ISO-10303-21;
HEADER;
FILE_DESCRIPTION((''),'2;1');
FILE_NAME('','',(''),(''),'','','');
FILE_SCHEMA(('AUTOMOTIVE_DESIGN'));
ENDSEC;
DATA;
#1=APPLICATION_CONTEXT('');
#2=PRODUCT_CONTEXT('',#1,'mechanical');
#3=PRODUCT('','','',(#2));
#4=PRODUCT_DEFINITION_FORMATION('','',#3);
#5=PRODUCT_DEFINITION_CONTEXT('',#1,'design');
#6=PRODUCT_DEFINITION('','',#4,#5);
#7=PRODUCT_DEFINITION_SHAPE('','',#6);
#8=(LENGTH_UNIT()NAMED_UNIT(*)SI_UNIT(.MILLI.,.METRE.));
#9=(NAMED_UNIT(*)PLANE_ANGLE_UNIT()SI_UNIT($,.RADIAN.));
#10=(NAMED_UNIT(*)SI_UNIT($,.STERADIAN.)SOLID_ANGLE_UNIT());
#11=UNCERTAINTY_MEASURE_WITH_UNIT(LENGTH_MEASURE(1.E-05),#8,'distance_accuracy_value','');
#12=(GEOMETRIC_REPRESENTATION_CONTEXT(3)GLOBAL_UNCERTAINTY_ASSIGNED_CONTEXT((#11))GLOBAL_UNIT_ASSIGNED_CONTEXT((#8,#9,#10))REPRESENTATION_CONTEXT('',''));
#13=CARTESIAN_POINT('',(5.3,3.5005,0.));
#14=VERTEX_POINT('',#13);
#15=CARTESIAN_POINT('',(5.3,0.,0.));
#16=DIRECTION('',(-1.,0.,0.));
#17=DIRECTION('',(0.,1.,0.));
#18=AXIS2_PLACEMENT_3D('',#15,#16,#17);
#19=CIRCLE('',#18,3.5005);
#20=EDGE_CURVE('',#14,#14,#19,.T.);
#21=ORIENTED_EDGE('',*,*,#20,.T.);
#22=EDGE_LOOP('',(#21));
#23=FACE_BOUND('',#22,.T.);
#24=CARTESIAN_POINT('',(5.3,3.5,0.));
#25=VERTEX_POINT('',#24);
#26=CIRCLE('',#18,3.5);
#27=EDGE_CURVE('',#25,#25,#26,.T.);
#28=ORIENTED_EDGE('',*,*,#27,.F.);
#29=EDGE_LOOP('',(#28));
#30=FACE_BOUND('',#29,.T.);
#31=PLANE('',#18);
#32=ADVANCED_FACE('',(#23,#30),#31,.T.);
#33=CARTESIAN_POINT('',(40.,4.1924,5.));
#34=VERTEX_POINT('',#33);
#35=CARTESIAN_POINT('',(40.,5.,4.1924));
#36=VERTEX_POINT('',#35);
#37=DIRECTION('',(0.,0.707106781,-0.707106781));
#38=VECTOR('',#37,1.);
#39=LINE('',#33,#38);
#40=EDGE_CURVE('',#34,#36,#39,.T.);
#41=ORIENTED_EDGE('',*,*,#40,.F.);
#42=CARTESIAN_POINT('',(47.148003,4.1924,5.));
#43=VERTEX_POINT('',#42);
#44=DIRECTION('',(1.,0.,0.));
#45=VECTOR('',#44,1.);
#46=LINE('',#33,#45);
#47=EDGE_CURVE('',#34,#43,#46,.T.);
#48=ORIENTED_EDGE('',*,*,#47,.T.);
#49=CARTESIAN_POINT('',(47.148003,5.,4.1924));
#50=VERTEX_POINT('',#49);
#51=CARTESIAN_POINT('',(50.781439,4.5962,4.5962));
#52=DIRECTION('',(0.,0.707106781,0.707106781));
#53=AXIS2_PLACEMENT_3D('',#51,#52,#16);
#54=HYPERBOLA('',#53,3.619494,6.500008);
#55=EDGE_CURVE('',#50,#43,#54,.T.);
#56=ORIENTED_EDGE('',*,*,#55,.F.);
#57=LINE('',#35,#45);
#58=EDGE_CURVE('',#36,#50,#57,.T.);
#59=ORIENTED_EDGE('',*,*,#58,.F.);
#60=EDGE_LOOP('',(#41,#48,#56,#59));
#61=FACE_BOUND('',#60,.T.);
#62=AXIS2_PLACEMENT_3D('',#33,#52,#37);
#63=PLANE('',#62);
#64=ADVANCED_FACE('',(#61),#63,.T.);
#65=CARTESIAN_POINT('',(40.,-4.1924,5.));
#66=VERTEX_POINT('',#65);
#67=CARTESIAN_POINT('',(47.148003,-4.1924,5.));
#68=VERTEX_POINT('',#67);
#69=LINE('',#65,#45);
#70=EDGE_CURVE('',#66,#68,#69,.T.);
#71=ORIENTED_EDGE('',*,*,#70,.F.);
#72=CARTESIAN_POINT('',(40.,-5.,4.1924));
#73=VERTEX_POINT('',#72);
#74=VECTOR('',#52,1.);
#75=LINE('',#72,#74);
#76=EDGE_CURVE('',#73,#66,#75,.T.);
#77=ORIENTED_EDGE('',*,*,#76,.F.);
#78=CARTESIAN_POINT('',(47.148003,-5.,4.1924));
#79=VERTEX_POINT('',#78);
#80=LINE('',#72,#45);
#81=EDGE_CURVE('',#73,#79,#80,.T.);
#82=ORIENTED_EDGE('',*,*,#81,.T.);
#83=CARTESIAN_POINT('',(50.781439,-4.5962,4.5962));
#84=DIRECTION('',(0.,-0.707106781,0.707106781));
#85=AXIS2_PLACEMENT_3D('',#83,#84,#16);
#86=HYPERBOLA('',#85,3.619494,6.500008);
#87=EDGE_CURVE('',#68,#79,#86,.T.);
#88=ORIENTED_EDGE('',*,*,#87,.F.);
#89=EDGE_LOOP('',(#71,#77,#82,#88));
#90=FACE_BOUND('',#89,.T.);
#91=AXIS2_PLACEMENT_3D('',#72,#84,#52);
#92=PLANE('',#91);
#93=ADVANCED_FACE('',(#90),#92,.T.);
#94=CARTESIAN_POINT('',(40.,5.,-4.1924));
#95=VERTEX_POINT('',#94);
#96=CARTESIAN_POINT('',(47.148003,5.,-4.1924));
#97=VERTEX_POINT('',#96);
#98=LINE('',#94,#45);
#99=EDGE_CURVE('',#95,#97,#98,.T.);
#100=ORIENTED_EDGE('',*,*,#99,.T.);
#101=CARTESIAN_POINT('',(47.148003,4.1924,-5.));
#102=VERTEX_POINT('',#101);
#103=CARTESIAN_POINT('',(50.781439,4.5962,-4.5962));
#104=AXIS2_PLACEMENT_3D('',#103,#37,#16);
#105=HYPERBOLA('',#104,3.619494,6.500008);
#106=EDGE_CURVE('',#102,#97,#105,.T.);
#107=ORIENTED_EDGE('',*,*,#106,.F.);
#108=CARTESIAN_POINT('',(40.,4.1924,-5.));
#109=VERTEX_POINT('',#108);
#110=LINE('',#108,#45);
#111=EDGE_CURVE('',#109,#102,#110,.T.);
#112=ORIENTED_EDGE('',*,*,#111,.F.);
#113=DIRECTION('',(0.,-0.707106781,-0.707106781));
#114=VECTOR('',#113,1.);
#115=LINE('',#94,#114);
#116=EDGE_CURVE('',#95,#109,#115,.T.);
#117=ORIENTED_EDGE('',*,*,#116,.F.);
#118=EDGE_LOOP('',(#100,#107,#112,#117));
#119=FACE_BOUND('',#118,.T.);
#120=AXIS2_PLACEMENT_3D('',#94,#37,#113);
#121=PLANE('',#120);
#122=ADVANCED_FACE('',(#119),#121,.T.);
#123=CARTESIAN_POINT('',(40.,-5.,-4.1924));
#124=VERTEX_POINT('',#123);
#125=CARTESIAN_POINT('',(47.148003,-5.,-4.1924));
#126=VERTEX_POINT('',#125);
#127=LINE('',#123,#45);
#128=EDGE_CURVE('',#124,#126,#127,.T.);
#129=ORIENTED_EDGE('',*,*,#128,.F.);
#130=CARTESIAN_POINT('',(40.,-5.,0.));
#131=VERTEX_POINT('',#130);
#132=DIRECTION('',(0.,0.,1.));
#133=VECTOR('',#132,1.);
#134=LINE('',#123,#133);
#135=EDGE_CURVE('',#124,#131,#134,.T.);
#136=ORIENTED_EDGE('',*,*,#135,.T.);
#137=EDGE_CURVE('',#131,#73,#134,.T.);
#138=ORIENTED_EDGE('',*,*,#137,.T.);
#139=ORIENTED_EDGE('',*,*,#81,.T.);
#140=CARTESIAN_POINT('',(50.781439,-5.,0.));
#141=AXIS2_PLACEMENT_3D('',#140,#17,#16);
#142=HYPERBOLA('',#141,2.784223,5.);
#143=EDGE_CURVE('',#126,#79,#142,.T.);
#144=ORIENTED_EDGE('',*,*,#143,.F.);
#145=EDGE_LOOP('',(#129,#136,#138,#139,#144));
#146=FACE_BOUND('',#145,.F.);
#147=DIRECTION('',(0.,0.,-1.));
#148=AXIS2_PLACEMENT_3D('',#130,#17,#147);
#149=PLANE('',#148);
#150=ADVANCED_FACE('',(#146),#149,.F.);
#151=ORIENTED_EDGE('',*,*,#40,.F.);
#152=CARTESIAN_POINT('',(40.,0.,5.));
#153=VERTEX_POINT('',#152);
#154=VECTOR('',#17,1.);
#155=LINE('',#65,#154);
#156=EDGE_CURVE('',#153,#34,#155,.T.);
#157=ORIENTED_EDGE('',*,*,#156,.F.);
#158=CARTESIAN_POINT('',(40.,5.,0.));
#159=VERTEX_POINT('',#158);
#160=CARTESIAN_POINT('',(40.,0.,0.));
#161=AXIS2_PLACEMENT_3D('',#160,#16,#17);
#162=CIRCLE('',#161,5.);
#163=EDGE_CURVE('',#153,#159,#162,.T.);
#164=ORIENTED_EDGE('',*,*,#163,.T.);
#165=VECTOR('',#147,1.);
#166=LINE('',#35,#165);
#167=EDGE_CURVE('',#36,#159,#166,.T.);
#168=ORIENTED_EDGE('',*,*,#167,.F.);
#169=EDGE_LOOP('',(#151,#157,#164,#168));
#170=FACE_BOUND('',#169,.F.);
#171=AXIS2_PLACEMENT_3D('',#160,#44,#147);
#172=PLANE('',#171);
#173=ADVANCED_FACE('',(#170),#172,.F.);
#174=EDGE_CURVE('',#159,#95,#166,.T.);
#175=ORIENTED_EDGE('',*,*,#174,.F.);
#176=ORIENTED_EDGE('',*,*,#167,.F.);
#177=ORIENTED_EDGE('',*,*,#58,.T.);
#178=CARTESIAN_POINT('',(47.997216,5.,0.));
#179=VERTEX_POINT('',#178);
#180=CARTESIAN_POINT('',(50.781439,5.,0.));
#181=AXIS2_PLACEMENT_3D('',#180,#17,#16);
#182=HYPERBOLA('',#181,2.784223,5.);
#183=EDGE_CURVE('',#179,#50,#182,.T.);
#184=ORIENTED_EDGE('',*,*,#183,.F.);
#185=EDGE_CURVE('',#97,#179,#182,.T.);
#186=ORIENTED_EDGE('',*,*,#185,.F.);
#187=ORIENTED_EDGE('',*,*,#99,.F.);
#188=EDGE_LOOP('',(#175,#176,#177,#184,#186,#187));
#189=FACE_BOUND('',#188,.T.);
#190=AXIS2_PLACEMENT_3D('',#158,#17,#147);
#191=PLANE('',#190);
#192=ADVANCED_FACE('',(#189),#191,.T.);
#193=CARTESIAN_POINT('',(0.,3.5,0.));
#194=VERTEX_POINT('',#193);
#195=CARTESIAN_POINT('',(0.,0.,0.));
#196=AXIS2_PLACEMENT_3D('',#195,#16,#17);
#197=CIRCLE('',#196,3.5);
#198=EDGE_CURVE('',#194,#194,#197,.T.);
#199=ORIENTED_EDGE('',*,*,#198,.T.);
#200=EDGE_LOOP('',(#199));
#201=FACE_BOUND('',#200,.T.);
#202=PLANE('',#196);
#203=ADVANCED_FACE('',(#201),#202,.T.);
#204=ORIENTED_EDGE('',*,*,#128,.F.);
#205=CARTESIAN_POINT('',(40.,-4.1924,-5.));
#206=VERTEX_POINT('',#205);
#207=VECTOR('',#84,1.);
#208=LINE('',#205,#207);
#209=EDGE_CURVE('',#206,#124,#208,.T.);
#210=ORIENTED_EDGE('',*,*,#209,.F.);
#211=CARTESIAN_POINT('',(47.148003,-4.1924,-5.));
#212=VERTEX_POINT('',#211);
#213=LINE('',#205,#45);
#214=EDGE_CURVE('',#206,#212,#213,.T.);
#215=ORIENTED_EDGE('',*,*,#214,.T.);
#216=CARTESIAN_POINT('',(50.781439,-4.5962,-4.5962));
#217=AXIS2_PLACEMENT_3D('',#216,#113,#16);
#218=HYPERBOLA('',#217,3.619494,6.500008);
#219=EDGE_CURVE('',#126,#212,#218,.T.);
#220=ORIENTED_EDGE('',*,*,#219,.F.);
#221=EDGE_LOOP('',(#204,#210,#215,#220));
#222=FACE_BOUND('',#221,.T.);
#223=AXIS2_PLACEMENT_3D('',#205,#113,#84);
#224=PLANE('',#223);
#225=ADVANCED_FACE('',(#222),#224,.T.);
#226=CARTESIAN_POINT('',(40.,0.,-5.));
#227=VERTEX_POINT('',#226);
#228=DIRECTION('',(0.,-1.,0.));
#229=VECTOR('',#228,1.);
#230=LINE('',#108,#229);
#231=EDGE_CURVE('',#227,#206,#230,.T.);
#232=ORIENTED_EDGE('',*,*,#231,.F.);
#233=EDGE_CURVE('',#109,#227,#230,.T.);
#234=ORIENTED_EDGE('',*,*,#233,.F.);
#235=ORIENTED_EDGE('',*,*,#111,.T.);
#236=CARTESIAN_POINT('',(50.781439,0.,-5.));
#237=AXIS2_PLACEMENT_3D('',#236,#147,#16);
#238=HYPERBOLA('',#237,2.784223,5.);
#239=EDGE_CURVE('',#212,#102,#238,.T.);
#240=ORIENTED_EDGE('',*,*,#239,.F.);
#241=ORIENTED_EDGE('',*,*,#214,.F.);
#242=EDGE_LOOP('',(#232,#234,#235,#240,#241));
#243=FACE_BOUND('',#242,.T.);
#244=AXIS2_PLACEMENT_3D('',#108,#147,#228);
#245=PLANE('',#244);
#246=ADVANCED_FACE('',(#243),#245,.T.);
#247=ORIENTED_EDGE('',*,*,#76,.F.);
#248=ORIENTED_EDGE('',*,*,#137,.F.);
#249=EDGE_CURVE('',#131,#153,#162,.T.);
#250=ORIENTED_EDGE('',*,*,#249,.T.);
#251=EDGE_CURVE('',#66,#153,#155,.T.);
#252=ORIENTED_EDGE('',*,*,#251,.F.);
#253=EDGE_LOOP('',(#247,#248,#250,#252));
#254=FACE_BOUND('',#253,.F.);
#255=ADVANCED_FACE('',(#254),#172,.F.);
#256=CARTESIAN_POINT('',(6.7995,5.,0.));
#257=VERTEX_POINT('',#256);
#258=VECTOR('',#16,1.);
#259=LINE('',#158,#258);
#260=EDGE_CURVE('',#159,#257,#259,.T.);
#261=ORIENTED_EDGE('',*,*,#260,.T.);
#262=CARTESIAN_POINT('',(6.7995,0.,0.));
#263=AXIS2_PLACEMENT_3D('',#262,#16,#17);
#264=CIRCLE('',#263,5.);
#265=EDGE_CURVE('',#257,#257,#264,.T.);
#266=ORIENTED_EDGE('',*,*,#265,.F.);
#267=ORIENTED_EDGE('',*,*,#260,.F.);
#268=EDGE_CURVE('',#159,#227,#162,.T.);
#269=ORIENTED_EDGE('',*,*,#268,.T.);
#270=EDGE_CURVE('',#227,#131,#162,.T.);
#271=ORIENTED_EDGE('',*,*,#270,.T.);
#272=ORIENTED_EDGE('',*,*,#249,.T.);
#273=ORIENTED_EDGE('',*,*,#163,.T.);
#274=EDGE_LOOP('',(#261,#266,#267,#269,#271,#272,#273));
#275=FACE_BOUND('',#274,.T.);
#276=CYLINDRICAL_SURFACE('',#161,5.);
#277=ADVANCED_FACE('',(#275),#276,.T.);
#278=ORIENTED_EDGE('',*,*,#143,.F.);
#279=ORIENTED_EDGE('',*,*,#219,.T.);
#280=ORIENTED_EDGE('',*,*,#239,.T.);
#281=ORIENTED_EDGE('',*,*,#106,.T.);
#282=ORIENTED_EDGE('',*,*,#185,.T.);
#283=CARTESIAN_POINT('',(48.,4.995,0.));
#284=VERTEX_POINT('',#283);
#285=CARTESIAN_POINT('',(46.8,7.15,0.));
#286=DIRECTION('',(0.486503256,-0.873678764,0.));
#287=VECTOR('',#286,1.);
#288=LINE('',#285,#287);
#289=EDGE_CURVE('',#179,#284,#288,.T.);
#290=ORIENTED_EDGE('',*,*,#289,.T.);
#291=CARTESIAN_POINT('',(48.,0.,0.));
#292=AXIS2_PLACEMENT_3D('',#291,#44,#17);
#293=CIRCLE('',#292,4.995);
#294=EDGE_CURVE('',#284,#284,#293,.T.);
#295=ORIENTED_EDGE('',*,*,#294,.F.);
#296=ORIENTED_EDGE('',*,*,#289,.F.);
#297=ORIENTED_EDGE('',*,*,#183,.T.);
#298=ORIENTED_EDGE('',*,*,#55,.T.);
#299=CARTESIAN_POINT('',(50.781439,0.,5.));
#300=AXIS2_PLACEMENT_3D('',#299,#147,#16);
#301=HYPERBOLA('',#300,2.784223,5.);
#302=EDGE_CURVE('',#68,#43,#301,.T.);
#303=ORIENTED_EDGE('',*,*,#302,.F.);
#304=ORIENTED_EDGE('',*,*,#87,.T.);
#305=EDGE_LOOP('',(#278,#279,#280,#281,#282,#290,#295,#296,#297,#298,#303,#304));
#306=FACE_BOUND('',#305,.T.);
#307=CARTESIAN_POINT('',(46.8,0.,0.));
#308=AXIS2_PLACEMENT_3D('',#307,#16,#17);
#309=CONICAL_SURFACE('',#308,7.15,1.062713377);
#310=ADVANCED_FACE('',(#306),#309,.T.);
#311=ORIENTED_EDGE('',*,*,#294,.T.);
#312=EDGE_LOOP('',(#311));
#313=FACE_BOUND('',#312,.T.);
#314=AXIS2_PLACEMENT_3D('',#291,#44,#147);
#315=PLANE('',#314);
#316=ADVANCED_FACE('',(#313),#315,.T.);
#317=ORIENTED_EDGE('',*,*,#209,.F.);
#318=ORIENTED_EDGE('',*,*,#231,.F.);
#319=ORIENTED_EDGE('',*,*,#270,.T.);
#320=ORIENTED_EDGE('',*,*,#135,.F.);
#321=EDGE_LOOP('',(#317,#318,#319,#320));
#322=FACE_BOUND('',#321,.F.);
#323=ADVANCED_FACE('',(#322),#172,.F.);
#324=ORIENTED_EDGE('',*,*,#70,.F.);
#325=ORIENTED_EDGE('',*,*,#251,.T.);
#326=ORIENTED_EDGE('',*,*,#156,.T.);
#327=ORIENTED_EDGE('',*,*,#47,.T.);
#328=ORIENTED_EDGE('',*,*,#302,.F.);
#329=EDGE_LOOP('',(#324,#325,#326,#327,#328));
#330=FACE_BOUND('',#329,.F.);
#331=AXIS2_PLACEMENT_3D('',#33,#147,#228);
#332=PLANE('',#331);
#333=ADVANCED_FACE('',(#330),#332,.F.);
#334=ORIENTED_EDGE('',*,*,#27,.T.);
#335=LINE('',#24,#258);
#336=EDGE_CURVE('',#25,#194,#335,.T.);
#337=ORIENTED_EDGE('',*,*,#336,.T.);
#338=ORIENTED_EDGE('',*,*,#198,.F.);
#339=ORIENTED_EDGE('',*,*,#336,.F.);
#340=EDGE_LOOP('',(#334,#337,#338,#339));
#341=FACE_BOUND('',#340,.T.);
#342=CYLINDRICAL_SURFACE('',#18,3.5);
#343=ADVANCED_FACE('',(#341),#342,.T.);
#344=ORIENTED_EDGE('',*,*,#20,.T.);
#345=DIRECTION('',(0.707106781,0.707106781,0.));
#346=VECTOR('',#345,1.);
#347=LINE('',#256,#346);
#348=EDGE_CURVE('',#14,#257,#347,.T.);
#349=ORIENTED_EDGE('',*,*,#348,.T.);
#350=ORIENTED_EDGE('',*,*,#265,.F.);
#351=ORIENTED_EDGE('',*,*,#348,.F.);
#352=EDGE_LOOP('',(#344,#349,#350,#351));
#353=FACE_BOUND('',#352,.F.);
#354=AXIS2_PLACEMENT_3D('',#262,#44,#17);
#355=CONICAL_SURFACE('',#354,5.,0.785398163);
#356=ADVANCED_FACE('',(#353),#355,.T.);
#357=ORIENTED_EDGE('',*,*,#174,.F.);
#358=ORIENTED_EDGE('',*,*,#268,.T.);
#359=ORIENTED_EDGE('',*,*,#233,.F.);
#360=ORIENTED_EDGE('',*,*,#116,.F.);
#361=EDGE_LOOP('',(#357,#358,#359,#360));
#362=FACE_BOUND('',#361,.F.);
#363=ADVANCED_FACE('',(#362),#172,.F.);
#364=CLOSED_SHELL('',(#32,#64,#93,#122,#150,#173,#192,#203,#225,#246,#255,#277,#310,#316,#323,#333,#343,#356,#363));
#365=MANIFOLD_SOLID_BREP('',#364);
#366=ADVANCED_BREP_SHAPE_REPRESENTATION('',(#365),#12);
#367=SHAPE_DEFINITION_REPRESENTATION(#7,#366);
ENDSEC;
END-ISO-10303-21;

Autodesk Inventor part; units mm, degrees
ref_plane "YZ Plane" through (0, 0, 0) normal (1, 0, 0) x (0, 1, 0)
ref_plane "XZ Plane" through (0, 0, 0) normal (0, 1, 0) x (-1, 0, 0)
sketch "Эскиз1" plane through (0, 0, 0) normal (0, 0, 1) x (1, 0, 0)
  line L0 (40, 0) -> (40, 5)
  line L1 (40, 5) -> (5.3, 5)
  line L2 (40, 0) -> (0, 0)
  line L3 (5.3, 3.5) -> (0, 3.5)
  line L4 (0, 3.5) -> (0, 0)
  line L5 (5.3, 5) -> (5.3, 3.5)
  line L6 (0, 6) -> (0, -1) projected
  line L7 (-8, 0) -> (48, 0) projected
  dimension "d0" = 10
  dimension "d10" = 40
  dimension "d11" = 7
  dimension "d12" = 5.3
revolve "Базовый элемент" add sketch "Эскиз1" angle 360 about axis through (40, 0, 0) along (-1, 0, 0)
sketch "Эскиз2" plane through (40, 0, 0) normal (1, 0, 0) x (0, 0, -1)
  line L0 (0, 5) -> (4.1924, 5)
  line L1 (5, 4.1924) -> (5, 0)
  line L2 (5, 0) -> (0, 0) construction
  line L3 (0, 0) -> (0, 5) construction
  line L4 (0, -7) -> (0, 7) projected
  line L5 (7, 0) -> (-7, 0) projected
  line L6 (0, 5) -> (-4.1924, 5)
  line L7 (-5, 4.1924) -> (-5, -4.1924)
  line L8 (0, -5) -> (4.1924, -5)
  line L9 (5, -4.1924) -> (5, 0)
  line L10 (0, -5) -> (-4.1924, -5)
  line L11 (-5, -4.1924) -> (-5, 0)
  circle A0 centre (0, 0) radius 5 projected
  line L12 (4.1924, 5) -> (5, 4.1924)
  line L13 (5, -4.1924) -> (4.1924, -5)
  line L14 (-4.1924, -5) -> (-5, -4.1924)
  line L15 (-5, 4.1924) -> (-4.1924, 5)
  point P0 (2.0767, 5)
  point P1 (5, 2.0767)
  point P2 (-2.0767, 5)
  point P3 (-5, 2.0767)
  point P4 (2.0767, -5)
  point P5 (5, -2.0767)
  point P6 (-2.0767, -5)
  point P7 (-5, -2.0767)
  dimension "d3" = 5
  dimension "d4" = 5
  dimension "d60" = 13
extrude "С головкой" add sketch "Эскиз2" along normal blind 8
sketch "Эскиз3" plane through (0, 0, 0) normal (0, 0, 1) x (1, 0, 0)
  line L0 (48, 4.995) -> (48, 7.15)
  line L1 (48, 7.15) -> (46.8, 7.15)
  line L2 (40, 0) -> (40, 5) projected
  line L3 (40, 0) -> (48, 0)
  line L4 (46.8, 7.15) -> (48, 4.995)
  line L5 (0, -3.922) -> (0, 8.9953) projected
  line L6 (40, 5) -> (40, -2.0767) projected
  line L7 (48, -2.0767) -> (48, 2.0767) projected
  line L8 (2.4, 0) -> (55.6, 0) projected
  point P0 (10, -2.0767)
  point P1 (15, -2.0767)
  point P2 (15, 2.0767)
  point P3 (44, 0)
  dimension "d14" = 14.3
  dimension "d15" = 9.99
  dimension "d18" = 48
  dimension "d19" = 1.2
revolve "Фаска1" cut sketch "Эскиз3" angle 360 about axis through (40, 0, 0) along (1, 0, 0)
chamfer "Фаска2" distance 1.5 angle 45 1 edges at (5.3, -5, 0) measured on face at (16.8667, 0, -5)
thread "Резьба" size "M10x1.5" class "6g" standard "ISO Metric profile" full length
ref_plane "Work Plane1" through (0, 0, 0) normal (0, 0, 1) x (1, 0, 0)
equation "\"d0\" = NND"
equation "\"d10\" = NLG"
equation "\"d11\" = SPD"
equation "\"d12\" = ZLG"
equation "\"d3\" = 0.5 * SW"
equation "\"d4\" = 0.5 * SW"
equation "\"d60\" = KOD"
equation "\"d1\" = KOH"
equation "\"d14\" = 1.1 * KOD"
equation "\"d18\" = NLG + KOH"
equation "\"d19\" = 0.15 * KOH"
equation "\"d6\" = -0.5 * SPD + 0.5 * NND"
equation "\"d7\" = FAWI1"
equation "\"d56\" = -0.5 * SPD + 0.5 * NND"
equation "\"d16\" = NLG"
equation "\"NND\" = 10"
equation "\"NLG\" = 40"
equation "\"SPD\" = 7"
equation "\"KOD\" = 13"
equation "\"KOH\" = 8"
equation "\"FAWI1\" = 45deg"
equation "\"ZLG\" = 5.3"
equation "\"GUL\" = 0.61345 * PTC"
equation "\"TOA\" = 30deg"
equation "\"PTC\" = 1.5"
equation "\"GAL\" = 0.61345 * PTC"
equation "\"GD1\" = THREADDIA - 1.2269 * PTC"
equation "\"SW\" = 10"
equation "\"THREADDIA\" = 10"
properties part number "Винт M10-6gx40 ГОСТ 1482-84" material "Сталь, мягкая"
